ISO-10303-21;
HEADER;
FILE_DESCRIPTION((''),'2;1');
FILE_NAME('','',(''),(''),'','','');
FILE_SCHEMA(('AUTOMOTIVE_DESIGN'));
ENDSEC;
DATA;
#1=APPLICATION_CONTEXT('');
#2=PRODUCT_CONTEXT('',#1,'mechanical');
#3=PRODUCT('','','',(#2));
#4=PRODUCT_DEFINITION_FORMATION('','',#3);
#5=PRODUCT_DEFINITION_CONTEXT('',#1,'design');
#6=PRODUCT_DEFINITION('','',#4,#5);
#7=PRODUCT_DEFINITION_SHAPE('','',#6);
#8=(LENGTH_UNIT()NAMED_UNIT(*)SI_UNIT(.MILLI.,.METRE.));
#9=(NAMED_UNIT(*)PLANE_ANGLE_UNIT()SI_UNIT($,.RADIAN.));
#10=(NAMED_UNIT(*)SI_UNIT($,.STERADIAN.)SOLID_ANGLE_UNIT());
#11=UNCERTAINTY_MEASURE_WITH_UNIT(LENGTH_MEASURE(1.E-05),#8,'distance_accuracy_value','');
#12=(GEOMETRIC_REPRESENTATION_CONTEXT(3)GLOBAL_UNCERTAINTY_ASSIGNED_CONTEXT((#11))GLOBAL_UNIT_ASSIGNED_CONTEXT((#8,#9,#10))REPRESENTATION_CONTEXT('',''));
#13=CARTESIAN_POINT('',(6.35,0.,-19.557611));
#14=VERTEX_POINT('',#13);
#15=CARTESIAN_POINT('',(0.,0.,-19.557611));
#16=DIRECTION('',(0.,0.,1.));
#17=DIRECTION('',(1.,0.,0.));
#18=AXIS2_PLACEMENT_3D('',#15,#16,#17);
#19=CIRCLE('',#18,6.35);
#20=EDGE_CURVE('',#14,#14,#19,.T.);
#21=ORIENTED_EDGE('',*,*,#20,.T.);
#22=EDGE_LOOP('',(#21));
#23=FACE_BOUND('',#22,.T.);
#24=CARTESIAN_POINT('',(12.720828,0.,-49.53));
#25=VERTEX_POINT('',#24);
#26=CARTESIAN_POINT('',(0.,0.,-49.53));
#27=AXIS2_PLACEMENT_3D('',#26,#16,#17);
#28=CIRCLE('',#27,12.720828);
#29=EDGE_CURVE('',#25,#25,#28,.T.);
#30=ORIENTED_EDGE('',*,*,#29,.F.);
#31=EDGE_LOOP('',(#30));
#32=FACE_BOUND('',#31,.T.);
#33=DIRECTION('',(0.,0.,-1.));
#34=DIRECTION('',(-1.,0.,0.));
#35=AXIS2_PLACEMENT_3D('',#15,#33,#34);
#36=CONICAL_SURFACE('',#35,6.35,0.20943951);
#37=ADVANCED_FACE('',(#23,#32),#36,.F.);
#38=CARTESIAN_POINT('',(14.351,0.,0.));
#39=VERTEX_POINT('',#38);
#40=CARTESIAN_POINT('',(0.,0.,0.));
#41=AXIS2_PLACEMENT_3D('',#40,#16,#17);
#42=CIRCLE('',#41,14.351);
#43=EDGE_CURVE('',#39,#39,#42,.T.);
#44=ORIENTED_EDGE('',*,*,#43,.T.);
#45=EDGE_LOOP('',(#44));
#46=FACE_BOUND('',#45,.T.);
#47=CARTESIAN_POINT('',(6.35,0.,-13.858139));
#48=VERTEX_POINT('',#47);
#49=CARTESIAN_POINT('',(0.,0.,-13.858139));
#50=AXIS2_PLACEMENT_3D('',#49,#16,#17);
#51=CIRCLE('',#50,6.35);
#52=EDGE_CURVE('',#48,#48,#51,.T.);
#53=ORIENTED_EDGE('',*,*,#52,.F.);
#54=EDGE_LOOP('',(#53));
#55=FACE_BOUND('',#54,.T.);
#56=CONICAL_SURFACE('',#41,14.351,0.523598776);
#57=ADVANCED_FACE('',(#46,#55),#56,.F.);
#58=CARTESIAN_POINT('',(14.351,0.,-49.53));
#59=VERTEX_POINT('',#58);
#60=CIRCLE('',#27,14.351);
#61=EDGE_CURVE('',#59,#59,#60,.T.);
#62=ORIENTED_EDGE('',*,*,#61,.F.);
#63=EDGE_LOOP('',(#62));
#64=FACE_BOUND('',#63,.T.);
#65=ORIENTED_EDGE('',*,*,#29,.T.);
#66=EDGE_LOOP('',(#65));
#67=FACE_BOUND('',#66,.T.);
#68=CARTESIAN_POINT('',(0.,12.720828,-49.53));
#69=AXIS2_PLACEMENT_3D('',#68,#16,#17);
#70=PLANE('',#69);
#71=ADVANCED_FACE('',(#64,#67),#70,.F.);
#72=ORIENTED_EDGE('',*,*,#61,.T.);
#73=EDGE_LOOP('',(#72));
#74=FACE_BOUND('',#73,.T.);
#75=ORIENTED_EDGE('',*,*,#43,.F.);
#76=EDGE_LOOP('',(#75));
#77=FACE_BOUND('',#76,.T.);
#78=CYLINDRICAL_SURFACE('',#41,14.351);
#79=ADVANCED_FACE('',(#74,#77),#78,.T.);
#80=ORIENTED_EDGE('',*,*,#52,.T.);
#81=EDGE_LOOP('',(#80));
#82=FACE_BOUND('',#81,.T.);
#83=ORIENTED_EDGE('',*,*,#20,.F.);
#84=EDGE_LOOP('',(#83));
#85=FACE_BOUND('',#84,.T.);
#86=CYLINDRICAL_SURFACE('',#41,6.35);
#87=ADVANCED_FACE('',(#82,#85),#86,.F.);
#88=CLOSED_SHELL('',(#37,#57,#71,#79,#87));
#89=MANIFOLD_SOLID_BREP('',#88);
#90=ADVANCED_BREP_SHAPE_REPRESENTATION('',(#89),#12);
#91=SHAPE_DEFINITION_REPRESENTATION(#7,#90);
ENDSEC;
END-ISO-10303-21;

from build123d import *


with BuildPart() as part:
    # Sketch3 → Revolve1 (revolve)
    with BuildSketch(Plane(origin=(0, 0, 0), x_dir=(0, 0, -1), z_dir=(1, 0, 0))):
        Polygon((49.53, 12.720828), (49.53, 14.351), (0, 14.351), (13.858138511, 6.35), (19.557610769, 6.35), align=None)
    revolve(axis=Axis((0, 0, 0), (0, 0, -1)))


solid = part.part
